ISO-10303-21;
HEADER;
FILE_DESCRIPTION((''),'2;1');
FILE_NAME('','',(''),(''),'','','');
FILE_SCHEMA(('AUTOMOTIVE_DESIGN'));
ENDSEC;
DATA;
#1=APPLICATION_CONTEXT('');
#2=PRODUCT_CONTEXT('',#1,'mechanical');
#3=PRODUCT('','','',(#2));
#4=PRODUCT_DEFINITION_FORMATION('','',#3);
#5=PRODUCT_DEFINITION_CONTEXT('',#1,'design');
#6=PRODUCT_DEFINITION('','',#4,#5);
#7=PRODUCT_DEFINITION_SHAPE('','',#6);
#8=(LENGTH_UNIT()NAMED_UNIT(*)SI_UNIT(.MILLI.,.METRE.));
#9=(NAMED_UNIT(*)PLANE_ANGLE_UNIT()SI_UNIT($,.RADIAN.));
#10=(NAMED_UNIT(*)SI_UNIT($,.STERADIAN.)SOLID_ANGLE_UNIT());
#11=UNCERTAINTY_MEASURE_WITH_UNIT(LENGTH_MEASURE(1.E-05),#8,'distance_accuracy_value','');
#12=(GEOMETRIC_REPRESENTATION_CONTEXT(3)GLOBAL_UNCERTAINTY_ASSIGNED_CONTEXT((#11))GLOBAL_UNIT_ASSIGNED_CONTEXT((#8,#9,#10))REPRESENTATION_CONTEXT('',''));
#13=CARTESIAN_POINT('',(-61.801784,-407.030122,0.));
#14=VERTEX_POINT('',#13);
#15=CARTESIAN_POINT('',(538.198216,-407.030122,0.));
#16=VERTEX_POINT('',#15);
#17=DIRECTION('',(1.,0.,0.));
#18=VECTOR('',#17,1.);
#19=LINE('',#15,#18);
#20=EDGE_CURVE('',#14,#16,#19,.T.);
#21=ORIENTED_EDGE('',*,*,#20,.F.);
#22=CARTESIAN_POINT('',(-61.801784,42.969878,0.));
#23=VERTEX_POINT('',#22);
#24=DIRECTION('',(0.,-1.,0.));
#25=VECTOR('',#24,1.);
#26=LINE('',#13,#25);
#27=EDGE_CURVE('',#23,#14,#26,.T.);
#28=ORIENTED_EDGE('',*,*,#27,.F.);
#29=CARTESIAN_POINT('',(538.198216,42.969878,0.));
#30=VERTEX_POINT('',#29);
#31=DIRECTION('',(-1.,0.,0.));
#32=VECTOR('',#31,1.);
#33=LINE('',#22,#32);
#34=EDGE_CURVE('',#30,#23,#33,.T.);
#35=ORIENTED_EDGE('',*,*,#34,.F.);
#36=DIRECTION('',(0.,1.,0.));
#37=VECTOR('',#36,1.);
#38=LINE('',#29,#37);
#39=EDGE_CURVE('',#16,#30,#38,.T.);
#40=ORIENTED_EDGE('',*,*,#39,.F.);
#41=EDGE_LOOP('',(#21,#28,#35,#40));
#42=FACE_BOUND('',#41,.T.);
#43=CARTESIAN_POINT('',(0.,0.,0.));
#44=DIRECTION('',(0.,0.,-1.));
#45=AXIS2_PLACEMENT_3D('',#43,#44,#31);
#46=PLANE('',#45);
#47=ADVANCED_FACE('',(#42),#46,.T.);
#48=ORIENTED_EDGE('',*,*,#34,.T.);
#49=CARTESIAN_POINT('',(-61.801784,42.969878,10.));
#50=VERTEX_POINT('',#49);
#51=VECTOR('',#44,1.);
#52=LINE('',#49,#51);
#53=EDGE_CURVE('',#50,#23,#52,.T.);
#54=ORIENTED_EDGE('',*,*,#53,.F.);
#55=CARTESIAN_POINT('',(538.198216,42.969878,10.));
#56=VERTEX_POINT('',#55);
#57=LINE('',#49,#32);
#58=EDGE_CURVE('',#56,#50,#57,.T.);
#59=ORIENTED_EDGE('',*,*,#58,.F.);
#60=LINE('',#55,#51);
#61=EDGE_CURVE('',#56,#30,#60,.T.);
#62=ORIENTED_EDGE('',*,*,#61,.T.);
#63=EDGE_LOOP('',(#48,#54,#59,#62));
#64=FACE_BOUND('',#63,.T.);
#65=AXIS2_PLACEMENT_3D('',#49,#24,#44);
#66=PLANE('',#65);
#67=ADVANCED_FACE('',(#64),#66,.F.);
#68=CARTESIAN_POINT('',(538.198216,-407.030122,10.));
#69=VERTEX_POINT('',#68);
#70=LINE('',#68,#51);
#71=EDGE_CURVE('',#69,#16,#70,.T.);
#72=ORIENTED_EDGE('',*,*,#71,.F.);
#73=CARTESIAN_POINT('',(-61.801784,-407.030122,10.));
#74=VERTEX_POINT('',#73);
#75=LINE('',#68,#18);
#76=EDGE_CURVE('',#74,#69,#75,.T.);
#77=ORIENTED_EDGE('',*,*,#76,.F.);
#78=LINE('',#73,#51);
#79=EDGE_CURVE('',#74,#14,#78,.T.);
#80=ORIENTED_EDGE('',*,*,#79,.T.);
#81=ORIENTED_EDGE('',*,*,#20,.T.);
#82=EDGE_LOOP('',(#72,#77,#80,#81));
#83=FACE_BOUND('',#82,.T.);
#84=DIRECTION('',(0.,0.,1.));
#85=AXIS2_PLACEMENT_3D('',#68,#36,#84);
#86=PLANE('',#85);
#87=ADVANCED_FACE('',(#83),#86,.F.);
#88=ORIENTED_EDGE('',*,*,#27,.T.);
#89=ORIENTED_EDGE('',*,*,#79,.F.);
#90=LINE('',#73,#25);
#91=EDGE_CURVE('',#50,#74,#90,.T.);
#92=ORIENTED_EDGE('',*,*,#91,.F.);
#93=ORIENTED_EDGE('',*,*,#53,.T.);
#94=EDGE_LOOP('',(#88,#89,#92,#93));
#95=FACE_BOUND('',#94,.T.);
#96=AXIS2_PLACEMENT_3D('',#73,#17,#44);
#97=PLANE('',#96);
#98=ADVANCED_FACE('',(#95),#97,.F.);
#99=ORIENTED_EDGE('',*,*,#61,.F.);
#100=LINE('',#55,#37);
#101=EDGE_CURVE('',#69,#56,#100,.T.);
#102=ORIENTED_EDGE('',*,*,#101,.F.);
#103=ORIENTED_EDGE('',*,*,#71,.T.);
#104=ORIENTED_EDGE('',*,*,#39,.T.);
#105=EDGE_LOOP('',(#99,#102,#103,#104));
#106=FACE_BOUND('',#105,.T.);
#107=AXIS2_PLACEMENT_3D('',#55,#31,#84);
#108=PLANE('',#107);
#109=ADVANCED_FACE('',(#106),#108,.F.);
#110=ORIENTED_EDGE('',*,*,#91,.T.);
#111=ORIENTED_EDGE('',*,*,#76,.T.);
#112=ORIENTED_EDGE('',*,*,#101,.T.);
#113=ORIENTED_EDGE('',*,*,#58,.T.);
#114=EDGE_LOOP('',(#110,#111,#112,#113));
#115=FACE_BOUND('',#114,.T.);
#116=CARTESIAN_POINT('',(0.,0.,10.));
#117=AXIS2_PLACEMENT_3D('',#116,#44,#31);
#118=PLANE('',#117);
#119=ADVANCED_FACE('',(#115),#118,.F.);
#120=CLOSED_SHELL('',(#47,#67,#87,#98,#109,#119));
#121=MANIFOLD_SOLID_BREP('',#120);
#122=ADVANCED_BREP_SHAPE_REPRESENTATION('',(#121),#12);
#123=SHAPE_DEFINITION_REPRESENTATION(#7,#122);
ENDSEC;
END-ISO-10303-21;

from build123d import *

# Parameters (mm, degrees)
CROQUIS1_W              = 600
CROQUIS1_H              = 450
SALIENTE_EXTRUIR1_DEPTH = 10


with BuildPart() as part:
    # Croquis1 → Saliente-Extruir1 (new body)
    with BuildSketch(Plane.XY):
        with Locations((238.198216155, -182.030121655)):
            Rectangle(CROQUIS1_W, CROQUIS1_H)
    extrude(amount=SALIENTE_EXTRUIR1_DEPTH)


solid = part.part
